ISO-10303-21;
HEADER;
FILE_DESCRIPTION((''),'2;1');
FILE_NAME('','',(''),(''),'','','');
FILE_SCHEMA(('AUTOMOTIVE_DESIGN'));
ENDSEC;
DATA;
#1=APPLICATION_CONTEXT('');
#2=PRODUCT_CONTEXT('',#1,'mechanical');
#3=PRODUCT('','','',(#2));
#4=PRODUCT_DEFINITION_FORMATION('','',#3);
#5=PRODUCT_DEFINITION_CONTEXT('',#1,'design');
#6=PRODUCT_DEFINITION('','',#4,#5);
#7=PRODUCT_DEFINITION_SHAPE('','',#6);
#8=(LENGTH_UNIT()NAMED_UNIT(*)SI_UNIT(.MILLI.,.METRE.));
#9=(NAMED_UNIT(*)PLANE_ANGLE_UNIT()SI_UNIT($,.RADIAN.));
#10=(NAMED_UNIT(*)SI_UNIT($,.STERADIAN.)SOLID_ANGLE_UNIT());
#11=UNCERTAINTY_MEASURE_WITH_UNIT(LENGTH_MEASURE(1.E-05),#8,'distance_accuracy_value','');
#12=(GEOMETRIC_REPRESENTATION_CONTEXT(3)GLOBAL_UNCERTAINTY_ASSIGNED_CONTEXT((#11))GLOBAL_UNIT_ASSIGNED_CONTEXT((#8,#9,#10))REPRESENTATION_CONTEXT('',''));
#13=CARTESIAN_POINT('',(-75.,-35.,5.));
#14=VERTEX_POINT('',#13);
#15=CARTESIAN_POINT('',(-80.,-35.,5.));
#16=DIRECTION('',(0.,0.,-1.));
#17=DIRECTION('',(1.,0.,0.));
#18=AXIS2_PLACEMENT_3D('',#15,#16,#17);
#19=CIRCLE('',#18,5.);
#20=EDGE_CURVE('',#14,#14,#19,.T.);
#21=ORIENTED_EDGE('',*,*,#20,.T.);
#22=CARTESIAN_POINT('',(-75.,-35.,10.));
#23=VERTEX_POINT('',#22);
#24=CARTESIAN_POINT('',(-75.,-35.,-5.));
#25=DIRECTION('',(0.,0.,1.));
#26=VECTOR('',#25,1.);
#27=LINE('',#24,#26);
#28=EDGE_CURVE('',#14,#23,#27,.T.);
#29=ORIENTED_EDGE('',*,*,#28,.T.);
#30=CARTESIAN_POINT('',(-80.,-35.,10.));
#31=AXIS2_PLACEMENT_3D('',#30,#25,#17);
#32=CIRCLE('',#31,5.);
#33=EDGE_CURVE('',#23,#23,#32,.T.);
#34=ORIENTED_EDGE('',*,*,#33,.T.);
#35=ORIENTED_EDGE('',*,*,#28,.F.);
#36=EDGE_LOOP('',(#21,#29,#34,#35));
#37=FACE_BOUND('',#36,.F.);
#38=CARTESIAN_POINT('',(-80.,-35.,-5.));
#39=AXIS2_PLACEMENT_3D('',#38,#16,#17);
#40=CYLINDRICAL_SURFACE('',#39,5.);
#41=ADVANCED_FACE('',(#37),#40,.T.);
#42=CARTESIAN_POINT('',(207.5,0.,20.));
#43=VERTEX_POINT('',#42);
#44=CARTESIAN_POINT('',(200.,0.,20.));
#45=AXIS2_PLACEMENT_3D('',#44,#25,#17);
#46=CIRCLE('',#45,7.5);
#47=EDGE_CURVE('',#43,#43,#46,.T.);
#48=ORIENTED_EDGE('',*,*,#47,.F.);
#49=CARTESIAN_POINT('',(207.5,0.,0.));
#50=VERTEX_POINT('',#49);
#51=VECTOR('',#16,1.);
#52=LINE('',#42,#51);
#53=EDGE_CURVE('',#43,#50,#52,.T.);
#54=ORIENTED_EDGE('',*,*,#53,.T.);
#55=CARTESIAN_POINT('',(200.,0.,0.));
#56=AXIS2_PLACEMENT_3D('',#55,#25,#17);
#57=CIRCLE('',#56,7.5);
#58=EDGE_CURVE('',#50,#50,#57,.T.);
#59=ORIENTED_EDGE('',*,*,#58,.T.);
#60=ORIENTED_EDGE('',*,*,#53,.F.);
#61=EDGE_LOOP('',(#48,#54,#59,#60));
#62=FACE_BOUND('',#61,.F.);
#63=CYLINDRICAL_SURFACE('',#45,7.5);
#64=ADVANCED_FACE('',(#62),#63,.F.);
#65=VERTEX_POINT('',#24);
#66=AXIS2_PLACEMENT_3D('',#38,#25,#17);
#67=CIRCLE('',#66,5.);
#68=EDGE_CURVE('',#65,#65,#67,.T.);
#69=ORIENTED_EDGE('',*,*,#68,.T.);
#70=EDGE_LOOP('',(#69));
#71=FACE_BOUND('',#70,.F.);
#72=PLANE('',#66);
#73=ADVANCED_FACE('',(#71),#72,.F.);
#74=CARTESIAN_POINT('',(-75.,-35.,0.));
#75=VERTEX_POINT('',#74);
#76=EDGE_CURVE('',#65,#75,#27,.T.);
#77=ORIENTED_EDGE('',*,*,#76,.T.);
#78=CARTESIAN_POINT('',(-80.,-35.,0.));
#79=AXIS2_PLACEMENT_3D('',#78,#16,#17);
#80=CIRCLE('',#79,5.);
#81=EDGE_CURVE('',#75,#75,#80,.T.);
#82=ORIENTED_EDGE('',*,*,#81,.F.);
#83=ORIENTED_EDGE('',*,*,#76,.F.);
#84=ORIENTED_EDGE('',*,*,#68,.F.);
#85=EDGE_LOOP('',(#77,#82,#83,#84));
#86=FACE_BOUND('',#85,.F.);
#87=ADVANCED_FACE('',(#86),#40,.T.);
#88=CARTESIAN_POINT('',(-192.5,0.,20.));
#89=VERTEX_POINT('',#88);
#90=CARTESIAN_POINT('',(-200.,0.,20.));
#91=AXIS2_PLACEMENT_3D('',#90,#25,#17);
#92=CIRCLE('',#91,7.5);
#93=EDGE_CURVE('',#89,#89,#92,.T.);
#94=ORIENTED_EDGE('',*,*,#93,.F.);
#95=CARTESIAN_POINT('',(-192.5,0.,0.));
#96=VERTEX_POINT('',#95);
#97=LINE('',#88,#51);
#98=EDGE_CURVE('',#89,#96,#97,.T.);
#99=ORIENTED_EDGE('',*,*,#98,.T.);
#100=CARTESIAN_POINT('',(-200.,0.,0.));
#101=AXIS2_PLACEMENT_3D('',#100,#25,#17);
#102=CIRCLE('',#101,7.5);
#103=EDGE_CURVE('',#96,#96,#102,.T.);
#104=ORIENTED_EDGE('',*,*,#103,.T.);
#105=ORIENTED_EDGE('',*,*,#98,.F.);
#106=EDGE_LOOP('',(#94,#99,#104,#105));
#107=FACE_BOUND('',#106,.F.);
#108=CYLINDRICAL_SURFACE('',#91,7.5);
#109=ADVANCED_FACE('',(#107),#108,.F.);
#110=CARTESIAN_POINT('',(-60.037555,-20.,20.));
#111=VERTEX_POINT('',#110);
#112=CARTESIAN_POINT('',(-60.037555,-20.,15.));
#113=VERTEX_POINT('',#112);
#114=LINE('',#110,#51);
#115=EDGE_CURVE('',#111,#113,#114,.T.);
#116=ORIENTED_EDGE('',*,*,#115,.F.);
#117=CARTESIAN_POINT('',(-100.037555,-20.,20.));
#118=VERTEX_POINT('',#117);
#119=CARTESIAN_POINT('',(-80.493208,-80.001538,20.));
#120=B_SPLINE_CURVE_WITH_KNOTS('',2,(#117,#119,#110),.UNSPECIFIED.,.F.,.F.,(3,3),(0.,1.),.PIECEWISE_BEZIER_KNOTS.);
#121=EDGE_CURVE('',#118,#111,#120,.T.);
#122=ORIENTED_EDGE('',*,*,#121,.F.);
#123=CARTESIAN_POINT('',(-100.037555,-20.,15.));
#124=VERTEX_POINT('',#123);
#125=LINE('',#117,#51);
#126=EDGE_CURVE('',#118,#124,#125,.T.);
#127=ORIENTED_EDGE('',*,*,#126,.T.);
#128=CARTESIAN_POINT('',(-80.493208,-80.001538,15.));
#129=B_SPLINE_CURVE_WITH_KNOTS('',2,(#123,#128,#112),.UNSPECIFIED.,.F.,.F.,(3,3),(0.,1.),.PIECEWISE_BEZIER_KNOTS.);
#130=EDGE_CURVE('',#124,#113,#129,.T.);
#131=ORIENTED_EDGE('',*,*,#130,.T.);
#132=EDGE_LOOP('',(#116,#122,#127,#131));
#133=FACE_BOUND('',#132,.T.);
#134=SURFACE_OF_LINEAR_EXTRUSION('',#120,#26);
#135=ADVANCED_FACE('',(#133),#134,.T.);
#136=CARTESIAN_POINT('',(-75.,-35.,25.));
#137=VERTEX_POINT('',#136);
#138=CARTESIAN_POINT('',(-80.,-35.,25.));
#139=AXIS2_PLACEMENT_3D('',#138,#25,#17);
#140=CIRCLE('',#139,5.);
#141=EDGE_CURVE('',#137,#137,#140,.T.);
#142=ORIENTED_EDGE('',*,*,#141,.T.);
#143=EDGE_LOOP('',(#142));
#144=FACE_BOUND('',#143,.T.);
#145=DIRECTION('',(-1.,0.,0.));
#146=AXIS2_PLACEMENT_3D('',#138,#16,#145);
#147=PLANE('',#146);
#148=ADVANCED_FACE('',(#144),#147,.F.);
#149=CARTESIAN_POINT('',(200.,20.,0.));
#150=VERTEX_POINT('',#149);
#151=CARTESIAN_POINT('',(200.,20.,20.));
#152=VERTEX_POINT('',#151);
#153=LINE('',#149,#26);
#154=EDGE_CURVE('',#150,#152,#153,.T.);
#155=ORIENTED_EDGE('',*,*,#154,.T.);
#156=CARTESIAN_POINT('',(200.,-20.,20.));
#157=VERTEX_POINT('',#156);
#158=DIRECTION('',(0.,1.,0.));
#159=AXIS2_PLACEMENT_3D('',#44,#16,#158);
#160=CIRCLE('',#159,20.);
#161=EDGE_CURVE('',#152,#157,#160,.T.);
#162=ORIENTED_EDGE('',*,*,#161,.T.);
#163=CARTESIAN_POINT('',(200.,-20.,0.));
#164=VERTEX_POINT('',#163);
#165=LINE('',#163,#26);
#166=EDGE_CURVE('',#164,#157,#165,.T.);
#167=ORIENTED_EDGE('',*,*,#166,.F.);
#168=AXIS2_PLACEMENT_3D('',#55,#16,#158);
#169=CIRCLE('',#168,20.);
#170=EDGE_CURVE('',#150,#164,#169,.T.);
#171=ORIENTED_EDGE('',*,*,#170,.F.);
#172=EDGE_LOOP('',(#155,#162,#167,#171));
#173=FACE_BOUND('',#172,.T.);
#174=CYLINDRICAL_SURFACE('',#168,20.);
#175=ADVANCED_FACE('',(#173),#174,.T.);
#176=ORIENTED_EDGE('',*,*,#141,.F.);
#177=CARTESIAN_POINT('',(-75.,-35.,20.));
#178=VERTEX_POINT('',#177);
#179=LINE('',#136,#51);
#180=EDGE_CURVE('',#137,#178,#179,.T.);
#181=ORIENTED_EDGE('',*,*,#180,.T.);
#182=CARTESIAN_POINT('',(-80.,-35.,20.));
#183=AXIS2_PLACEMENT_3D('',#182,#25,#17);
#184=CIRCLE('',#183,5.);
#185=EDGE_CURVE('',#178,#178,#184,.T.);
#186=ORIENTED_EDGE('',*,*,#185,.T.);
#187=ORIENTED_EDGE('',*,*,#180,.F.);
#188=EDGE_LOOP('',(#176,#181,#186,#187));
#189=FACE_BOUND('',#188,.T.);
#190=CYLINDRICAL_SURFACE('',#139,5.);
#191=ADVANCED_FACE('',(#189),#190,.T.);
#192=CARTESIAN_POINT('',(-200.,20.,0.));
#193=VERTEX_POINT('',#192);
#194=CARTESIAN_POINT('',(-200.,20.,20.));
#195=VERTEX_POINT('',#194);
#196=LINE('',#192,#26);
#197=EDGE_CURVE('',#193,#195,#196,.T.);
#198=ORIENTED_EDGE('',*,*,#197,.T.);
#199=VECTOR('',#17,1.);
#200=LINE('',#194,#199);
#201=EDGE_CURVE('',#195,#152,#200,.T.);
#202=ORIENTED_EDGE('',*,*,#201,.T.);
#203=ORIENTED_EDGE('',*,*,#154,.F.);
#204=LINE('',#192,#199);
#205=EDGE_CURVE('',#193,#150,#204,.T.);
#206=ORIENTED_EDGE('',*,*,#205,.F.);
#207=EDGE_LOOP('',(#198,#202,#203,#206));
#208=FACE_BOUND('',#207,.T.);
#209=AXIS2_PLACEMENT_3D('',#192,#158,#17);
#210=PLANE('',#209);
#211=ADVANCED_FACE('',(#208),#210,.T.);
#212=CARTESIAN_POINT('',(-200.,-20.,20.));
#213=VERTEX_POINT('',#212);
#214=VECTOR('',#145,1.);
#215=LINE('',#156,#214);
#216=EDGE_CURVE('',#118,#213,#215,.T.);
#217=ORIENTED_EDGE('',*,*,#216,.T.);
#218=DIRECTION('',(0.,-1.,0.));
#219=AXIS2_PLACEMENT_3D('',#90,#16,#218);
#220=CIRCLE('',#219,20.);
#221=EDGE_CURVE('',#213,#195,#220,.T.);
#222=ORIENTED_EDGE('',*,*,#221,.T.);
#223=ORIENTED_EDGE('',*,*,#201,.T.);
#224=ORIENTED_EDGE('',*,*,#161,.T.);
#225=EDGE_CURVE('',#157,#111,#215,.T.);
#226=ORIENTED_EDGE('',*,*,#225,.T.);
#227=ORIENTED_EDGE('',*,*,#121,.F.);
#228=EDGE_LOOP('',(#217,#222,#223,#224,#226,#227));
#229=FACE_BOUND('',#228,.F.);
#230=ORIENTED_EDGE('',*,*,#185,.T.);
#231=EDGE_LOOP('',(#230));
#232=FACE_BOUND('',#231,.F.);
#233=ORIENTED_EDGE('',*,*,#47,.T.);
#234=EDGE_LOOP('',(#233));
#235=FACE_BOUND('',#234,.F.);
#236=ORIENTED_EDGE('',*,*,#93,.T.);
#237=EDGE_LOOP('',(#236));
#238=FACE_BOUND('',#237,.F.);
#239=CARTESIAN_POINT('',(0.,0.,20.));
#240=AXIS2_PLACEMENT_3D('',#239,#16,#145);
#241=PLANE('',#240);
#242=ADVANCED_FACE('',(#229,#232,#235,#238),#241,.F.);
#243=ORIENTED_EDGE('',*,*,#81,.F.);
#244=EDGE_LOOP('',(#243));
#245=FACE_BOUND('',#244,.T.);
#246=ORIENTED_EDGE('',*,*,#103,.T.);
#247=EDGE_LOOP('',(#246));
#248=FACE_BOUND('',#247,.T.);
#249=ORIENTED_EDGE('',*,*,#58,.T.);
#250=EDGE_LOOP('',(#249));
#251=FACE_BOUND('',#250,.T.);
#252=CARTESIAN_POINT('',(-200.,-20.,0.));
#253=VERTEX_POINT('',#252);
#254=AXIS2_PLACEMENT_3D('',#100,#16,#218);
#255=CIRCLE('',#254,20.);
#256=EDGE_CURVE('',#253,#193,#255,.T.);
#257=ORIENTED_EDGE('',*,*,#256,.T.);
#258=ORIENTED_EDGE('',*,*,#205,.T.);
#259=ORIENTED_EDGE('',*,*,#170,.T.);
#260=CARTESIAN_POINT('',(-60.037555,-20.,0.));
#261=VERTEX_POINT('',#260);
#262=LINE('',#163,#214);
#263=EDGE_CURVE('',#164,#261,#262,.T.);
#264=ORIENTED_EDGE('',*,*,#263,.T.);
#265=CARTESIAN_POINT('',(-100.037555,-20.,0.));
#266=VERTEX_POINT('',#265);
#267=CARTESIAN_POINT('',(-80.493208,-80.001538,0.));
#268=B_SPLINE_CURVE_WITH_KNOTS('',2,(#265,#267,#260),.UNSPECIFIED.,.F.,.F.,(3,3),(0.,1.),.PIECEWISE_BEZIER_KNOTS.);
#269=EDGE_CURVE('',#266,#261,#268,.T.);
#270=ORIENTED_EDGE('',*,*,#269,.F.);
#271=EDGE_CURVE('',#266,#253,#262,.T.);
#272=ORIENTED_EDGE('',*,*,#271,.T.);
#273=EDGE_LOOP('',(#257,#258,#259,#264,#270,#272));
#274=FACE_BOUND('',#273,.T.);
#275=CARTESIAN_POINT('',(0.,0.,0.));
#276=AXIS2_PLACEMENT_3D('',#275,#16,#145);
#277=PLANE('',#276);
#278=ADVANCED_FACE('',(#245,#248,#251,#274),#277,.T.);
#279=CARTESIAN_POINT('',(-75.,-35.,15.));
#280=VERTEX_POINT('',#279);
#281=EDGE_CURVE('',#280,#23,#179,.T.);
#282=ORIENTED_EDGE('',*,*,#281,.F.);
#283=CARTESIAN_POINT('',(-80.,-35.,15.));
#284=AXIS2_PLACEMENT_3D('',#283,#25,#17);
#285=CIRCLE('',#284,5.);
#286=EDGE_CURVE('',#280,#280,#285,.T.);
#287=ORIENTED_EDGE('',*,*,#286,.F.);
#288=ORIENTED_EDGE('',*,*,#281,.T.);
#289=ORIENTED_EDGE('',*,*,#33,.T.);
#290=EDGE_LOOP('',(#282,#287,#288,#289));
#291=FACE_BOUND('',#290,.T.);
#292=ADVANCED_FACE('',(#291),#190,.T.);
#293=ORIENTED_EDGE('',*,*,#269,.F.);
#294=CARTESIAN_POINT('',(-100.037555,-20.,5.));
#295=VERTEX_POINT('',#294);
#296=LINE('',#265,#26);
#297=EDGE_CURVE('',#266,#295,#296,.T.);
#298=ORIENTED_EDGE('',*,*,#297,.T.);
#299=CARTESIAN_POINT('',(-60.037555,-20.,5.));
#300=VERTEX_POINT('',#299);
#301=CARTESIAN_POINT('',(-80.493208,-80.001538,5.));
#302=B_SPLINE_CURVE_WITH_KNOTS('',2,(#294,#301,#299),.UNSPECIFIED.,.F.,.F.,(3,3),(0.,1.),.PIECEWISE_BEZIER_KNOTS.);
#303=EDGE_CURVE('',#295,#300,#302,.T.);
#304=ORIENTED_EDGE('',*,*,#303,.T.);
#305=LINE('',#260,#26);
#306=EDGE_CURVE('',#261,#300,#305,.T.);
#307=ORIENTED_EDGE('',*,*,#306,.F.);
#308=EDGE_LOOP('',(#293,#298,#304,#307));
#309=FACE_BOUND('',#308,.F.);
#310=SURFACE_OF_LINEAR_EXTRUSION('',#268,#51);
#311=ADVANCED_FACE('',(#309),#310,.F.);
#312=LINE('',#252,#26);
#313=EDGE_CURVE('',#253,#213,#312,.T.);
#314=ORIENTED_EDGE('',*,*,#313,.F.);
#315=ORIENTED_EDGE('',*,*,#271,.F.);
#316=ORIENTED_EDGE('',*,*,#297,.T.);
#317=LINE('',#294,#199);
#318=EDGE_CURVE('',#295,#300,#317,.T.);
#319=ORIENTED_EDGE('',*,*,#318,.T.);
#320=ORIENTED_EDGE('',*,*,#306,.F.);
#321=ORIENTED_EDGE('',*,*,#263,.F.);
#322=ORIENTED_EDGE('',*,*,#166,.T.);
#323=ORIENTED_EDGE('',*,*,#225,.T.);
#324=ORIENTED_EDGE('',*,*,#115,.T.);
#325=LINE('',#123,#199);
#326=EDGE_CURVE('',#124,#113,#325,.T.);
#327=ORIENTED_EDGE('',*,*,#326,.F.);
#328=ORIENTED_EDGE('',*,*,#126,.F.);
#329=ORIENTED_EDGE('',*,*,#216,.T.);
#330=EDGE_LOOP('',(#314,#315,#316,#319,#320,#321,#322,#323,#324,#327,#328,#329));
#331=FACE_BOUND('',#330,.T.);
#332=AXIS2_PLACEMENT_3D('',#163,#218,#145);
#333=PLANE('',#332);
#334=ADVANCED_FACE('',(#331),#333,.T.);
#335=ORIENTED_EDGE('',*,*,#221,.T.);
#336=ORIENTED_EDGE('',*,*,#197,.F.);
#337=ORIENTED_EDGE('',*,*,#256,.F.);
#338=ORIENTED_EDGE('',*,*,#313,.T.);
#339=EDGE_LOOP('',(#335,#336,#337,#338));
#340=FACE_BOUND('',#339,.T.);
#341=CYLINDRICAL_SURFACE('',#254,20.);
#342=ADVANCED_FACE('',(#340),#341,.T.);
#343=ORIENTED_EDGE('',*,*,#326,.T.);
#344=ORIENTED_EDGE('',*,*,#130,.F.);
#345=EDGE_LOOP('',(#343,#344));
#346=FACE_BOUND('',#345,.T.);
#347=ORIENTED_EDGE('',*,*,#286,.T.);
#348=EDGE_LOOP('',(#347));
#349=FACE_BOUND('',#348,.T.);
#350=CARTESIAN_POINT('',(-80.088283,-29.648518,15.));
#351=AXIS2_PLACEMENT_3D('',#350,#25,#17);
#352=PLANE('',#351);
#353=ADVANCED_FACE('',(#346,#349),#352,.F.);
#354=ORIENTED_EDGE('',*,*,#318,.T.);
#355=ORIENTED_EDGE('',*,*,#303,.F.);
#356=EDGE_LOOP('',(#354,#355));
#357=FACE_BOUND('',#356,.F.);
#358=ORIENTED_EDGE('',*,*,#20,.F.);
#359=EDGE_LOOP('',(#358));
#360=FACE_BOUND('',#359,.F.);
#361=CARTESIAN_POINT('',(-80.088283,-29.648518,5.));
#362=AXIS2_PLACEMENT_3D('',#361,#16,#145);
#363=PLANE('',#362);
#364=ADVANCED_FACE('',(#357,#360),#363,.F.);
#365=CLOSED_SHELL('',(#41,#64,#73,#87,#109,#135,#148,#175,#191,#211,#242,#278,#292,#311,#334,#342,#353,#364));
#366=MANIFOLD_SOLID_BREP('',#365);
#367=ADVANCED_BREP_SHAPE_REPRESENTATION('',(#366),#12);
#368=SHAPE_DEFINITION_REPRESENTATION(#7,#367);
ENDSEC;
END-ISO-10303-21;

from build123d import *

# Parameters (mm, degrees)
BOSS_EXTRUDE1_DEPTH = 20
SKETCH4_R           = 7.5
CUT_EXTRUDE1_DEPTH  = 20
BOSS_EXTRUDE2_DEPTH = 5
BOSS_EXTRUDE3_START = -5
SKETCH9_R           = 5
BOSS_EXTRUDE3_DEPTH = 15


with BuildPart() as part:
    # Sketch2 → Boss-Extrude1 (new body)
    with BuildSketch(Plane.XY):
        with BuildLine():
            Line((-200, 20), (200, 20))
            ThreePointArc((200, 20), (220, 0), (200, -20))
            Line((200, -20), (-200, -20))
            ThreePointArc((-200, -20), (-220, 0), (-200, 20))
        make_face()
    extrude(amount=BOSS_EXTRUDE1_DEPTH)

    # Sketch4 → Cut-Extrude1 (cut)
    with BuildSketch(Plane.XY.offset(20)):
        with Locations((-200, 0)):
            Circle(SKETCH4_R)
        with Locations((200, 0)):
            Circle(SKETCH4_R)
    extrude(amount=-CUT_EXTRUDE1_DEPTH, mode=Mode.SUBTRACT)

    # Sketch8 → Boss-Extrude2 (add)
    with BuildSketch(Plane.XY):
        with BuildLine():
            Line((-100.037555, -20), (-60.037555, -20))
            add(Edge.make_bspline(
                [(-100.037555, -20), (-80.4932082, -80.001537629), (-60.037555, -20)],
                knots=[0, 0, 0, 1, 1, 1], degree=2))
        make_face()
    boss_extrude2 = extrude(amount=BOSS_EXTRUDE2_DEPTH)

    # Sketch9 → Boss-Extrude3 (add)
    with BuildSketch(Plane.XY.offset(BOSS_EXTRUDE3_START)):
        with Locations((-80, -35)):
            Circle(SKETCH9_R)
    boss_extrude3 = extrude(amount=BOSS_EXTRUDE3_DEPTH)

    # Mirror2: Boss-Extrude2, Boss-Extrude3 across plane
    add(boss_extrude2.mirror(Plane.XY.offset(10)))
    add(boss_extrude3.mirror(Plane.XY.offset(10)))


solid = part.part
